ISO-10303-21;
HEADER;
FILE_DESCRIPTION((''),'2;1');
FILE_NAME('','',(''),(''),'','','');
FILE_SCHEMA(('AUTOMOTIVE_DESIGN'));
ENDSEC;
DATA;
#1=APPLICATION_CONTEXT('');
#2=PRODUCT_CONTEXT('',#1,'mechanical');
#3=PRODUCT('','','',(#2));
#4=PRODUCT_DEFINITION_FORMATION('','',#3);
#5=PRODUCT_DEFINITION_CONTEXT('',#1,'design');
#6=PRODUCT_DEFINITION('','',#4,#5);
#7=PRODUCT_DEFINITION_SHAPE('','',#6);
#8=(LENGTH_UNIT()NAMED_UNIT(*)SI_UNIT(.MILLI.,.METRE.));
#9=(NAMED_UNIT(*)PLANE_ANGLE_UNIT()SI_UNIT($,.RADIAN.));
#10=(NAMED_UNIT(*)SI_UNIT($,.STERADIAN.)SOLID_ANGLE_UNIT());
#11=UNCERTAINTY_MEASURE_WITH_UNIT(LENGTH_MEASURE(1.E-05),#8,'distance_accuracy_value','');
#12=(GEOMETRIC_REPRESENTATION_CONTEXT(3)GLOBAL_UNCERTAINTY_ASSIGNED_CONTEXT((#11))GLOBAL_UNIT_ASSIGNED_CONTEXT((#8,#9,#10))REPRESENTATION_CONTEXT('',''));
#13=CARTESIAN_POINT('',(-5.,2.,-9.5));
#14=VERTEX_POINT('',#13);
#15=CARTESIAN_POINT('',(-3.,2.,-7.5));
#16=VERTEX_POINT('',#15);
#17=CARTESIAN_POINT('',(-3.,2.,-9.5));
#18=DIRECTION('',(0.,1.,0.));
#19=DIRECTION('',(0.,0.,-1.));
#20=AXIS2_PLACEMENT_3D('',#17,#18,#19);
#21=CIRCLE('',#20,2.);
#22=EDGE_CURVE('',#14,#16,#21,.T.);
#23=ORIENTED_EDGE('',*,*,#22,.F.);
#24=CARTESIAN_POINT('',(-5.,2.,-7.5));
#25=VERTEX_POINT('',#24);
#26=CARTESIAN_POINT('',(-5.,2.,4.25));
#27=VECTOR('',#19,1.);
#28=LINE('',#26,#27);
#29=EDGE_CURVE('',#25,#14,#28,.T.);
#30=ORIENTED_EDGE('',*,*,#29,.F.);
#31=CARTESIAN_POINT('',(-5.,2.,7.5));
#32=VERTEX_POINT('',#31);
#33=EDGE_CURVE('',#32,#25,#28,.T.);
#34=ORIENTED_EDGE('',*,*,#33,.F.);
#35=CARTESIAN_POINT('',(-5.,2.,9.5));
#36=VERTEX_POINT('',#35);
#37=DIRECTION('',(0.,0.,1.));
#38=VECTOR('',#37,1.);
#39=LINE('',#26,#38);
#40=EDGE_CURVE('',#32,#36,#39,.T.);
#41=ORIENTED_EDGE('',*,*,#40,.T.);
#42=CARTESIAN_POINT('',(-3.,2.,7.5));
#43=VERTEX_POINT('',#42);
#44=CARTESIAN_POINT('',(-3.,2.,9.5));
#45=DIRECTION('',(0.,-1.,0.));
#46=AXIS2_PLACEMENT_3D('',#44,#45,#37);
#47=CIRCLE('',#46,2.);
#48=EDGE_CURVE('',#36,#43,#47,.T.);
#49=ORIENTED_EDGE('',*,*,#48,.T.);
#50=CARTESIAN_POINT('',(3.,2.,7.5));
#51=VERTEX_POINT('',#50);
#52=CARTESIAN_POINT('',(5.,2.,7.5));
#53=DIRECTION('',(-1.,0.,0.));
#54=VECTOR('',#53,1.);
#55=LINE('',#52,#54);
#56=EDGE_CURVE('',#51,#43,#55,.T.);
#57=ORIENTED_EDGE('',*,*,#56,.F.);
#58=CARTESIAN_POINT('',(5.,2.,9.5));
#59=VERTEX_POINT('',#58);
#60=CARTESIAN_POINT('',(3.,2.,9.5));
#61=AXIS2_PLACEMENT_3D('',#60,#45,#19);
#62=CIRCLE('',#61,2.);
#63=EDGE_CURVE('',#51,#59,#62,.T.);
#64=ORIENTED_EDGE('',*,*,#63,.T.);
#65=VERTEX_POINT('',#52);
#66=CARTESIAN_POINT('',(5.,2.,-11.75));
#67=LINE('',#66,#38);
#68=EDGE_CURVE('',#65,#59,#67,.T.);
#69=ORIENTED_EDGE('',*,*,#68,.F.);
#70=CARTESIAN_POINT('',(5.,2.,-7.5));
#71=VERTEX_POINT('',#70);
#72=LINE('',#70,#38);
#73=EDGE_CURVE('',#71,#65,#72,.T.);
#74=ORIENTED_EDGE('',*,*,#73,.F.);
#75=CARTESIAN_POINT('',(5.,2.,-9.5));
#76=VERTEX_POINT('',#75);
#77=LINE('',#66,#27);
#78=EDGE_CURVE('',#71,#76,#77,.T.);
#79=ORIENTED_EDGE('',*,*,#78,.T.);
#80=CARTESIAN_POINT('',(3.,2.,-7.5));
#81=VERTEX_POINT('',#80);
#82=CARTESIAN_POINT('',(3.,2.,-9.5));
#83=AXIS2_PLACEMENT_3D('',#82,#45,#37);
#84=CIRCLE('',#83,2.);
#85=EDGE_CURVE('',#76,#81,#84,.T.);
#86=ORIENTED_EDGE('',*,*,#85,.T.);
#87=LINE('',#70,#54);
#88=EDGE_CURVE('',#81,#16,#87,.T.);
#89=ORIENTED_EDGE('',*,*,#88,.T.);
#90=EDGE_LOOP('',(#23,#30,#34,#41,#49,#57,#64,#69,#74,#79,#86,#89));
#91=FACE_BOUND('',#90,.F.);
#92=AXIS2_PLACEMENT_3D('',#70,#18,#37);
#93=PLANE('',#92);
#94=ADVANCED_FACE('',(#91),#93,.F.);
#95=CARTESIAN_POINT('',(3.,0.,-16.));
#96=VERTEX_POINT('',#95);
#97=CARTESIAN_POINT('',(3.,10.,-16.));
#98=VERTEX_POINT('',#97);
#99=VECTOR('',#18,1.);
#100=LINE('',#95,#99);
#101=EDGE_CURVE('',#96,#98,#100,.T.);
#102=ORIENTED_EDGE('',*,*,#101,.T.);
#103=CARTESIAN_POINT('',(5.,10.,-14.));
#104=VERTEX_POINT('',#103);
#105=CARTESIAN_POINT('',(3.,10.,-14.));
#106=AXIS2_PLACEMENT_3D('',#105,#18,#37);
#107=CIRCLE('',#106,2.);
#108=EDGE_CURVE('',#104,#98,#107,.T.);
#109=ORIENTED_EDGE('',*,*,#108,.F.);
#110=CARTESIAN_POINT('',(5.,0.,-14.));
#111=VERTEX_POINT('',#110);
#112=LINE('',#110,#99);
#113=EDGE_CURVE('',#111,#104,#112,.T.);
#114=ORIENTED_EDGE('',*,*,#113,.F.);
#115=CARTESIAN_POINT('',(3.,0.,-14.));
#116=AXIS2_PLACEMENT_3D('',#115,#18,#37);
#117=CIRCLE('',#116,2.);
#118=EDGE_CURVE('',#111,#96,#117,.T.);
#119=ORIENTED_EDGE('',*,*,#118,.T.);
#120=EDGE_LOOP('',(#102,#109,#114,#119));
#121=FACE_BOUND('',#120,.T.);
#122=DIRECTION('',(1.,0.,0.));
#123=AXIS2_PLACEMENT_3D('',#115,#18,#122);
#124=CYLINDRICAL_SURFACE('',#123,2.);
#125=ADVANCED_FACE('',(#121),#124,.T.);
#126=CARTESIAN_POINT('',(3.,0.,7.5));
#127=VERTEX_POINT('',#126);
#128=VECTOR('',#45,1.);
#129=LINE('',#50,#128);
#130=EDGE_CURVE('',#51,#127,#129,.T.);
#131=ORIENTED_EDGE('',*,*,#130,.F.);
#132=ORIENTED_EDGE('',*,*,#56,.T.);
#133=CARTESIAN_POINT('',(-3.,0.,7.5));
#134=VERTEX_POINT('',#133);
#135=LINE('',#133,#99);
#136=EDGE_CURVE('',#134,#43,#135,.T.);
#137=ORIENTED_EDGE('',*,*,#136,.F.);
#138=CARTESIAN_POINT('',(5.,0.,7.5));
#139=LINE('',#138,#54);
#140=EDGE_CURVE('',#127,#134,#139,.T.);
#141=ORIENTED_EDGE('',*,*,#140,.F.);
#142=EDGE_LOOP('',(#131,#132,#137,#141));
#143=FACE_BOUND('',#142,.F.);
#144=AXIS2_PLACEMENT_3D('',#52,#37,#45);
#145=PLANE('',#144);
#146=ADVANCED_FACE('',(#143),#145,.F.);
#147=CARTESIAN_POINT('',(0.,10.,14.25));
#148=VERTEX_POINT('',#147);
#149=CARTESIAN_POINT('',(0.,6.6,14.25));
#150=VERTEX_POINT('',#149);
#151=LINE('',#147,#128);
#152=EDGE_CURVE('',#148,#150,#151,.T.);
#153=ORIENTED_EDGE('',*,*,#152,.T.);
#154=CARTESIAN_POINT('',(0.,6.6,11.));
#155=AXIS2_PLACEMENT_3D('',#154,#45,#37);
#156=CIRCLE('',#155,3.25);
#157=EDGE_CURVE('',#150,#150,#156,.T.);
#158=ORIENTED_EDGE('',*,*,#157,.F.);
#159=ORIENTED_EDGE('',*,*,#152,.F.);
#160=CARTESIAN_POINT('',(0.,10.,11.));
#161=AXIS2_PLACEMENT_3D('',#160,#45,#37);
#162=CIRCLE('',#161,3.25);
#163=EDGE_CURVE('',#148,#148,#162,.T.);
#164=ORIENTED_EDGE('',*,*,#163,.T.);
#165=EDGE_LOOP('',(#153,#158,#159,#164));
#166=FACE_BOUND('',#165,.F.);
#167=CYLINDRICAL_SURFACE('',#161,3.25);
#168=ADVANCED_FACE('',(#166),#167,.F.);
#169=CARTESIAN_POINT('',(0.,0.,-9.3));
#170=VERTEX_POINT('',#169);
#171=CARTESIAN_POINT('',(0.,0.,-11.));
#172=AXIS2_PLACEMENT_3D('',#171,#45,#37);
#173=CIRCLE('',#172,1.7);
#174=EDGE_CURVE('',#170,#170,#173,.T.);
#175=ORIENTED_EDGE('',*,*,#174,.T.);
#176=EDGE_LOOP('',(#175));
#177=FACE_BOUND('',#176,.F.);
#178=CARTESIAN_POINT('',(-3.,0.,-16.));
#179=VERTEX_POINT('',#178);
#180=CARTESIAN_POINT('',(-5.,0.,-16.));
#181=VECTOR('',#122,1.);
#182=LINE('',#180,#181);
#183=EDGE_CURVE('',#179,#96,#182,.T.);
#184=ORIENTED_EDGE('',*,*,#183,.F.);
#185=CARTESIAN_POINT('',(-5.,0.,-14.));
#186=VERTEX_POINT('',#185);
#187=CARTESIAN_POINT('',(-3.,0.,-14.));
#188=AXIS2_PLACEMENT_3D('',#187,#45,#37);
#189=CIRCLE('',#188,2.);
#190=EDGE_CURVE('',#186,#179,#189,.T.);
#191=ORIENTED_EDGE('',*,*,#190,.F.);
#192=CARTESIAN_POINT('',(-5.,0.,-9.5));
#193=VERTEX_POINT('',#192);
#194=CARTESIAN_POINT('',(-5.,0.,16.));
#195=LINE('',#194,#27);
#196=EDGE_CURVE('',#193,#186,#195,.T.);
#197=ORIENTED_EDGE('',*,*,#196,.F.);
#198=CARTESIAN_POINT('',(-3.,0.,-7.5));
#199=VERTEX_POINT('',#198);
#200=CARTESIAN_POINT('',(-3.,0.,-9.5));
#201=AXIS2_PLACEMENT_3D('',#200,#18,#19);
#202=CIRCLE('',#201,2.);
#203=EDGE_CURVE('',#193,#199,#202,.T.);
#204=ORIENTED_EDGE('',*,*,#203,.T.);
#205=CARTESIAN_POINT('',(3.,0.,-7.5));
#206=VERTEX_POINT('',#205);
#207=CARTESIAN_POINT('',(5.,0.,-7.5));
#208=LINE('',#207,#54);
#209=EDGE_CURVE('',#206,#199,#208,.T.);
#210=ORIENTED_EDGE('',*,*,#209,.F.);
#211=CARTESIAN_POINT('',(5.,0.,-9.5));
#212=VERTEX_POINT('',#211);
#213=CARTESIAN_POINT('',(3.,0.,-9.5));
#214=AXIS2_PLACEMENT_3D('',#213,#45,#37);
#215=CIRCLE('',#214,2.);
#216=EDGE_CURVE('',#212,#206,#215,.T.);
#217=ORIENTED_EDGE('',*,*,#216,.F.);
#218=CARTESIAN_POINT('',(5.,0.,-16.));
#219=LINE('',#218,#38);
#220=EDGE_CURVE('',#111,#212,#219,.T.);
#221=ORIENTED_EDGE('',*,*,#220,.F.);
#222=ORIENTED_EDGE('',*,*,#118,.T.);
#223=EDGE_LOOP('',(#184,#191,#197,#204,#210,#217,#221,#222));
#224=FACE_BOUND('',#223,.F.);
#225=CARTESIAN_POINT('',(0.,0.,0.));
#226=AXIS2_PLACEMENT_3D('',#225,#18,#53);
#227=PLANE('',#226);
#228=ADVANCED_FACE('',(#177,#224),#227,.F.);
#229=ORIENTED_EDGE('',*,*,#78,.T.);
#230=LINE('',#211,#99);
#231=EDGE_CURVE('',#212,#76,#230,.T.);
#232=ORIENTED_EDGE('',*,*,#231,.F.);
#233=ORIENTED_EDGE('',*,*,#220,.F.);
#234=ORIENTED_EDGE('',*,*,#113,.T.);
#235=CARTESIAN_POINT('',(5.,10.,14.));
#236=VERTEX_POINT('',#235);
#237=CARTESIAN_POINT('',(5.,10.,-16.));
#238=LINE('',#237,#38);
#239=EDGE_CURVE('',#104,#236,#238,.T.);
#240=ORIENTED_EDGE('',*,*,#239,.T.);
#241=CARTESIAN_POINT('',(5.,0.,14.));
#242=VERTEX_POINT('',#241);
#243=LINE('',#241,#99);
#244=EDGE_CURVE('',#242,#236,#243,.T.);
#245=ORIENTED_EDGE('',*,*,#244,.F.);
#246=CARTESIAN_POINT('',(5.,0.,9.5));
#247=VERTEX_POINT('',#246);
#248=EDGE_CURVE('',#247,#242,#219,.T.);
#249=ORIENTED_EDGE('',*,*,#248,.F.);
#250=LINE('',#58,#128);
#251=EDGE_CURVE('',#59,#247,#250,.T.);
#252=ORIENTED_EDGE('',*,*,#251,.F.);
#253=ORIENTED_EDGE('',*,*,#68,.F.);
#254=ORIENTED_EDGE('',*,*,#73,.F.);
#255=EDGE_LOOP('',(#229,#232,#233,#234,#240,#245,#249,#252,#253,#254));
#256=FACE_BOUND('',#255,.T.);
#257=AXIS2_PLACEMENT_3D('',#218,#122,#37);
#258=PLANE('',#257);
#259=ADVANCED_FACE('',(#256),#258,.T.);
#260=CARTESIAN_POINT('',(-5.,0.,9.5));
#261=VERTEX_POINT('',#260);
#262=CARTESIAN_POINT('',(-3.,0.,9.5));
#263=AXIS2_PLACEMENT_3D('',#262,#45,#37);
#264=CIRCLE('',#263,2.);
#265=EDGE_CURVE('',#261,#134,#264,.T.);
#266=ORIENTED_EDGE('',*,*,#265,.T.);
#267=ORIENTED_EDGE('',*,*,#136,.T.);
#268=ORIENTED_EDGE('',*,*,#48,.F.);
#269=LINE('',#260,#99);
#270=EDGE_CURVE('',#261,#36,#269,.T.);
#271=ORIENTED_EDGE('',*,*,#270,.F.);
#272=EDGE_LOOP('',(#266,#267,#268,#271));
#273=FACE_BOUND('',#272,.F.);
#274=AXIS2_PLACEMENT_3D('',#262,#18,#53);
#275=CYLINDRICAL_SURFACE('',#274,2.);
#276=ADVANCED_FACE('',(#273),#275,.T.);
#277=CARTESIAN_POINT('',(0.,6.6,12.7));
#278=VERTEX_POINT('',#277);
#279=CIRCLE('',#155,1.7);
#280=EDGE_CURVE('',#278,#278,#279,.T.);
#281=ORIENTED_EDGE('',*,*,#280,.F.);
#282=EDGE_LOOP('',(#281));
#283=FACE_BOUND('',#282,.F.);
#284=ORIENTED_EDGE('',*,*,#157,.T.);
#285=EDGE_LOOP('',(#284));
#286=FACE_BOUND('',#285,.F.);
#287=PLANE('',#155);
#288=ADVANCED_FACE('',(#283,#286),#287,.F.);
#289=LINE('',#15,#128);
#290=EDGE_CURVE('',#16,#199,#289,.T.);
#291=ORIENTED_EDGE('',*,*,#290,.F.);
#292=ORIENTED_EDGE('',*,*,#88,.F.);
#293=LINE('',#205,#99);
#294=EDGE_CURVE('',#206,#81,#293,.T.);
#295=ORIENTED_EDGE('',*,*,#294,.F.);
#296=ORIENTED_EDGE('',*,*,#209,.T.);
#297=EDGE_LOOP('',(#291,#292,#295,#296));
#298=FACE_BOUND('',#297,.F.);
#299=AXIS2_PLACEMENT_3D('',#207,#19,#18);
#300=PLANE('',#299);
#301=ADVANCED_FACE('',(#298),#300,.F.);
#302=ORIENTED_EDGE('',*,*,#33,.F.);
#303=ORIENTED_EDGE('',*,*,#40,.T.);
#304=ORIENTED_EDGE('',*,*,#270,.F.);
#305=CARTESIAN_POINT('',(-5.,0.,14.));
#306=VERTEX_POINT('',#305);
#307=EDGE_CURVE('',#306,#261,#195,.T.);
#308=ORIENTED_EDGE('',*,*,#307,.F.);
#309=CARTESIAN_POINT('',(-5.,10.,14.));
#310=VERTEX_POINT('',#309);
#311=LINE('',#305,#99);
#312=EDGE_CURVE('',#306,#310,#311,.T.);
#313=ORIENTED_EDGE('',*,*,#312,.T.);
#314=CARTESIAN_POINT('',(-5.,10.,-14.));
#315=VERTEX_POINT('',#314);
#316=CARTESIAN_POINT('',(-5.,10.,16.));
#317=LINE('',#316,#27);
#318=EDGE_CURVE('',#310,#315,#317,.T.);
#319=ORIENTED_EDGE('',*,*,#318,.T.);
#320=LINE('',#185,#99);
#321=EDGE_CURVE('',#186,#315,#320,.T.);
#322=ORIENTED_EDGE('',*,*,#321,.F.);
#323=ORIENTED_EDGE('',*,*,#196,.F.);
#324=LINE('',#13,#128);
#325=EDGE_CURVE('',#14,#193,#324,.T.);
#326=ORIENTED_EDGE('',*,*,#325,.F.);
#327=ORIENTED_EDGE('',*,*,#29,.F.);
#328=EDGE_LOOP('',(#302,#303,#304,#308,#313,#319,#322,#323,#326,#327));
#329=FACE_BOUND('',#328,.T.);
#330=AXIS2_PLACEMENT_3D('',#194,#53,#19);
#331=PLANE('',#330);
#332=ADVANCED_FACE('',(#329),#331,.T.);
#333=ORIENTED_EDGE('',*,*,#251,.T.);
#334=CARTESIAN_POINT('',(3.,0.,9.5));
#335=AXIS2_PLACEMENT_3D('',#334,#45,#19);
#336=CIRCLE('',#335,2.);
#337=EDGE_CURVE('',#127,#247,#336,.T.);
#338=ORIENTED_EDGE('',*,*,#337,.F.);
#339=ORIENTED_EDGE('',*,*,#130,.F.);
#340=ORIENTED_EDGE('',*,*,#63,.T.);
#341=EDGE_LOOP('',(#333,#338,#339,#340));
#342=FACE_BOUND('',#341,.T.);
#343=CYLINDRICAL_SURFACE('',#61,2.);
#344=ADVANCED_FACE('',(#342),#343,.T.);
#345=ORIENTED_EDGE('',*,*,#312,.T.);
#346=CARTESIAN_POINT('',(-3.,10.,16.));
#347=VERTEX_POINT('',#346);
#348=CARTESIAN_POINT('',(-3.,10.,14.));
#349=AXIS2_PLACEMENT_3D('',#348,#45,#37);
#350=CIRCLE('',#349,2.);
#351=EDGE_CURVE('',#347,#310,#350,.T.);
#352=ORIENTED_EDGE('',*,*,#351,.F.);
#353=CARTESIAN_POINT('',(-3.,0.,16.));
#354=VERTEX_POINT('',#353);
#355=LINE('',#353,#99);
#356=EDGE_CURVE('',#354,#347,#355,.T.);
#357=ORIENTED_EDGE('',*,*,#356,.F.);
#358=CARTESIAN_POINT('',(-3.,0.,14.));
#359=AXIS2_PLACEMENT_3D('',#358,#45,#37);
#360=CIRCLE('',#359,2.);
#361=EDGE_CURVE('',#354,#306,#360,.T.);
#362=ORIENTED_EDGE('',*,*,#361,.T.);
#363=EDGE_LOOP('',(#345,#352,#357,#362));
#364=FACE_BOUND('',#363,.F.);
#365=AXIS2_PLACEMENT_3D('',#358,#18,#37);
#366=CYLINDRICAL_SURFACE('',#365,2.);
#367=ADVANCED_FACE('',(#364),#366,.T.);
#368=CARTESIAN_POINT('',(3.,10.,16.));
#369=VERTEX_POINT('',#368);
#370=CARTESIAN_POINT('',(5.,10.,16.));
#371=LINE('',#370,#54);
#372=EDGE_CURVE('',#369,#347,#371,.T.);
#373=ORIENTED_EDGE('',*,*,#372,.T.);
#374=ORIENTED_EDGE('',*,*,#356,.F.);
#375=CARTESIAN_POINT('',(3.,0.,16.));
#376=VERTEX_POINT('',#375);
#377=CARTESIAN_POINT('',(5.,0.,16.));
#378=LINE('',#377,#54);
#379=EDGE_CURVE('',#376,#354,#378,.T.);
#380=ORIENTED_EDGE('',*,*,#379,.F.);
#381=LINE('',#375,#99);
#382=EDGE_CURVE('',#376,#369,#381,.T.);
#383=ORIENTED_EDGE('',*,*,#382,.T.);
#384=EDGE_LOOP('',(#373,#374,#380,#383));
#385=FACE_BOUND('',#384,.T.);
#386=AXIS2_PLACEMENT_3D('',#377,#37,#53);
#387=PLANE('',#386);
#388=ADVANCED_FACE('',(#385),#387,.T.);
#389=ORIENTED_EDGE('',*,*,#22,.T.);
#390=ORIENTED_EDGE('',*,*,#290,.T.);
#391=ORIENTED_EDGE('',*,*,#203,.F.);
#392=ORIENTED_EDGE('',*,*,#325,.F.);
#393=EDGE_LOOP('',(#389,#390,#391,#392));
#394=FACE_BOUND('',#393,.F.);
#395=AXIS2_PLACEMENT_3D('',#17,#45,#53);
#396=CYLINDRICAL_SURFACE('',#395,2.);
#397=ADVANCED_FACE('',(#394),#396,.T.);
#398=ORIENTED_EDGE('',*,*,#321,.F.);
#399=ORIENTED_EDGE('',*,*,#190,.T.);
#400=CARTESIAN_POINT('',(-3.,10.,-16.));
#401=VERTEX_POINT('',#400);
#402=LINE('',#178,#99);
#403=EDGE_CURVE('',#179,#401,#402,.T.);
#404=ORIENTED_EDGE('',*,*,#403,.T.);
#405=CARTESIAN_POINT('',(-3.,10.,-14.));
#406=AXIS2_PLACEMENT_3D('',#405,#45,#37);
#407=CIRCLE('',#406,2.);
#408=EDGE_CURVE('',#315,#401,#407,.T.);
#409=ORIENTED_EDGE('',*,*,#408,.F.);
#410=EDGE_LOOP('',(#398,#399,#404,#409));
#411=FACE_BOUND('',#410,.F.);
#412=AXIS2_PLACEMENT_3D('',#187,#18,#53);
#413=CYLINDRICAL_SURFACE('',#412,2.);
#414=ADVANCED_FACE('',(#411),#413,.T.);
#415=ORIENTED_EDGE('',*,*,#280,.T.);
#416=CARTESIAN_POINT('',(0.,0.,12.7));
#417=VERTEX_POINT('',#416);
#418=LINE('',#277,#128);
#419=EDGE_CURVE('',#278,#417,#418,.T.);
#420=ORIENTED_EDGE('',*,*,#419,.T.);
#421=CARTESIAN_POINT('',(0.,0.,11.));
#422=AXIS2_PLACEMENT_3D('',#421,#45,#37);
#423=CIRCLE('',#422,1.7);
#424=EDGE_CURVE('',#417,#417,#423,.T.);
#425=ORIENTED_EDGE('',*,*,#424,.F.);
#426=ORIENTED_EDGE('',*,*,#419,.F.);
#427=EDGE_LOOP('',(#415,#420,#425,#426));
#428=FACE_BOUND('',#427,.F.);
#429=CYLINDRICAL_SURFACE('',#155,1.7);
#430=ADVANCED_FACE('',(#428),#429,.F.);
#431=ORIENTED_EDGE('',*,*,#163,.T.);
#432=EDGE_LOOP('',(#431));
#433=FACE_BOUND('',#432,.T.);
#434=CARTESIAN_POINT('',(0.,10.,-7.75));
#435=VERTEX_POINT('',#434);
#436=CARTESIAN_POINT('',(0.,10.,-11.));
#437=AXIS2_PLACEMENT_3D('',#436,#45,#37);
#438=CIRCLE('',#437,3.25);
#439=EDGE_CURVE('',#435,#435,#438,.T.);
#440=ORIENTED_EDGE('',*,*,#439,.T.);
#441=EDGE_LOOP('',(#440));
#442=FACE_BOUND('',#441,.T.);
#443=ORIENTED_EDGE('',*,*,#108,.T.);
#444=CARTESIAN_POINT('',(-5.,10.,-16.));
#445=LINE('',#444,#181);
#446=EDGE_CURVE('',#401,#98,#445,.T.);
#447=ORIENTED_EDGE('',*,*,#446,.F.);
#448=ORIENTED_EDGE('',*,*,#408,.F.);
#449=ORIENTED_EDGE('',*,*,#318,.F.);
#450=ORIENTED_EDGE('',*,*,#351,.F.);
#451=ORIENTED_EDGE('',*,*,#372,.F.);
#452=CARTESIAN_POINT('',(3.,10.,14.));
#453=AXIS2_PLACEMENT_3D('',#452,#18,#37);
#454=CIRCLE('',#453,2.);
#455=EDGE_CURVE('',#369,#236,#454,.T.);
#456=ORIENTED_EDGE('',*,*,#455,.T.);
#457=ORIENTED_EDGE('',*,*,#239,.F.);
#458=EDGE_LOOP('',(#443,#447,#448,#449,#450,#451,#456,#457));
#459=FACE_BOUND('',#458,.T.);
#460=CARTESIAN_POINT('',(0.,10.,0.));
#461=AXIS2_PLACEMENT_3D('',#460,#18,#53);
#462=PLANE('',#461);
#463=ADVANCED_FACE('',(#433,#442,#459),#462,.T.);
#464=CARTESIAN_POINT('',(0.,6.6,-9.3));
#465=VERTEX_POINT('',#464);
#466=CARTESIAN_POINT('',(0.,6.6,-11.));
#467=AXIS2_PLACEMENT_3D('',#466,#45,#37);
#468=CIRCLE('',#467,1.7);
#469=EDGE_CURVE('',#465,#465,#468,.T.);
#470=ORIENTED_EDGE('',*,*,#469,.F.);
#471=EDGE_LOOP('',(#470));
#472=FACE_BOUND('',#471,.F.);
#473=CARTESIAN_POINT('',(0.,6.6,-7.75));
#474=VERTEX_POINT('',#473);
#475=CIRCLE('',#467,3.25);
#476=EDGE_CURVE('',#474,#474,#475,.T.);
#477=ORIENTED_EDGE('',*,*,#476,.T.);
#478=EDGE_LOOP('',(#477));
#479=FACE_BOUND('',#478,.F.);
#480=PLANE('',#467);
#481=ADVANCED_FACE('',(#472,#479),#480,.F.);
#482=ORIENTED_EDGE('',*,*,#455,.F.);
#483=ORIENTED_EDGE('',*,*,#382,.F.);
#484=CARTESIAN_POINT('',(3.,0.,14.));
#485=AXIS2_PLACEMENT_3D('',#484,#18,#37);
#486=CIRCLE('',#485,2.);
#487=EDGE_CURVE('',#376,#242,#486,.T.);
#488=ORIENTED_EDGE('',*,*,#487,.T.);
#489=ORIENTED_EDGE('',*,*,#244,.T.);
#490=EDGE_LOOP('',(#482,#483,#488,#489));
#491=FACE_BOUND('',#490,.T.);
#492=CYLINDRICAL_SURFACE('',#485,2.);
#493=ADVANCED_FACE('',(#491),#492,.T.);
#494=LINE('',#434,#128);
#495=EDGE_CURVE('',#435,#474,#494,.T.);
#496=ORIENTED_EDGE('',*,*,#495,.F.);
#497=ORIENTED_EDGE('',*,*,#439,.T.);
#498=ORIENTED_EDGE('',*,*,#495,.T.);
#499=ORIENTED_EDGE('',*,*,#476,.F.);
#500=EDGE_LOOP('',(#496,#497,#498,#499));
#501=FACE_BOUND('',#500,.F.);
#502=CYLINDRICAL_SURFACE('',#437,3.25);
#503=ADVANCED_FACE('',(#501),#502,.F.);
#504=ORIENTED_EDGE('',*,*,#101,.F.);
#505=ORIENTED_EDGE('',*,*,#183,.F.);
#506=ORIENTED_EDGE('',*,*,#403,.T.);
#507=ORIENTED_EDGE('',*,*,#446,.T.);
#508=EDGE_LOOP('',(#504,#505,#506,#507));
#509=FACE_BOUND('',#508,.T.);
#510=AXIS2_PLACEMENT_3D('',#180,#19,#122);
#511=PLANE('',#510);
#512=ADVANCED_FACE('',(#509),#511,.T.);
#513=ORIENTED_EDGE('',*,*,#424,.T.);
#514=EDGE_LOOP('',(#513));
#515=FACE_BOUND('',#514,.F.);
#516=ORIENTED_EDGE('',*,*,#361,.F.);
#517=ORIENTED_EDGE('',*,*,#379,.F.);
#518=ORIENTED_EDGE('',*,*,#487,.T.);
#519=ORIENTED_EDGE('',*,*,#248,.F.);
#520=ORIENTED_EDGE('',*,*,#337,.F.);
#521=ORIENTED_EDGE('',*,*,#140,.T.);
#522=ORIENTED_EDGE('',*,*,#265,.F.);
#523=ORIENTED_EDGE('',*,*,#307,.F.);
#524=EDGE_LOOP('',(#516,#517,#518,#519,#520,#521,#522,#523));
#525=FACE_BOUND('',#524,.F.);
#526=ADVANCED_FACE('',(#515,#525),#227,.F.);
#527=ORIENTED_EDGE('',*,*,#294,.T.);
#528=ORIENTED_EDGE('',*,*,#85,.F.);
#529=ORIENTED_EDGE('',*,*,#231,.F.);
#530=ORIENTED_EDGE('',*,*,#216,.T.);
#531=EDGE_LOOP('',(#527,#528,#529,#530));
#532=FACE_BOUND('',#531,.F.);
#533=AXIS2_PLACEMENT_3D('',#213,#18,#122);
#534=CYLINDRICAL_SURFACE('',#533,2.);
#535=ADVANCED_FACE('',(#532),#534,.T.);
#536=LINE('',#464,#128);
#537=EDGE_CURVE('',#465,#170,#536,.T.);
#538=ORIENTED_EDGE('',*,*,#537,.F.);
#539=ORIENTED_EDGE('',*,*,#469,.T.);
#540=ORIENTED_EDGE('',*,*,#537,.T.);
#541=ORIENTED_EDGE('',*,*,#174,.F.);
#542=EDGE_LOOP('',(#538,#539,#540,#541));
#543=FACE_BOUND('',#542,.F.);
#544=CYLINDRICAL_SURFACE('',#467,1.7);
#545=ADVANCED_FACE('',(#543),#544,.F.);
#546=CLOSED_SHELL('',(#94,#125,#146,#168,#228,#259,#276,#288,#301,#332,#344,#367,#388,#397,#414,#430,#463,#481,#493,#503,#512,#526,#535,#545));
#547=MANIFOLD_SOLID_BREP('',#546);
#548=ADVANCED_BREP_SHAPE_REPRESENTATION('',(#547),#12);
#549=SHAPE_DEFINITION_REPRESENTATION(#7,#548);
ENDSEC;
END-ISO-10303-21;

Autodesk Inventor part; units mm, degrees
ref_plane "YZ Plane" through (0, 0, 0) normal (1, 0, 0) x (0, 1, 0)
ref_plane "XZ Plane" through (0, 0, 0) normal (0, 1, 0) x (-1, 0, 0)
ref_plane "XY Plane" through (0, 0, 0) normal (0, 0, 1) x (1, 0, 0)
sketch "Sketch1" plane through (0, 0, 0) normal (0, 1, 0) x (-1, 0, 0)
  line L0 (-5, 16) -> (5, 16)
  line L1 (5, 16) -> (5, -16)
  line L2 (5, -16) -> (-5, -16)
  line L3 (-5, -16) -> (-5, 16)
  line L4 (-5, 16) -> (5, -16) construction
  line L5 (5, 16) -> (-5, -16) construction
  point P0 (0, 0)
  dimension "d0" = 32
  dimension "d1" = 10
extrude "Extrusion1" add sketch "Sketch1" along normal blind 10
sketch "Sketch2" plane through (0, 10, 0) normal (0, 1, 0) x (1, 0, 0)
  line L0 (0, 22.4) -> (0, -22.4) projected
  line L1 (7, 0) -> (-7, 0) projected
  point P0 (0, 0)
  point P1 (0, -11)
  point P2 (0, 11)
  dimension "d4" = 22
hole "Hole1" at (0, 10, 11) at (0, 10, -11) direction (0, -1, 0) diameter 3.4 depth 10 counterbore diameter 6.5 counterbore depth 3.4 clearance for "Socket Head Cap Screw ISO 4762" size "M3" standard "ISO"
fillet "Fillet1" radius 2 4 edges at (5, 5, 16) (-5, 5, 16) (5, 5, -16) (-5, 5, -16)
sketch "Sketch3" plane through (5, 0, 14) normal (1, 0, 0) x (0, 0, -1)
  line L0 (28, 0) -> (0, 0) projected
  line L1 (6.5, 0) -> (21.5, 0)
  line L2 (21.5, 0) -> (21.5, 2)
  line L3 (21.5, 2) -> (6.5, 2)
  line L4 (6.5, 2) -> (6.5, 0)
  line L5 (14, -2) -> (14, 12) projected
  point P0 (14, 0)
  dimension "d13" = 15
  dimension "d14" = 2
extrude "Extrusion2" cut sketch "Sketch3" against normal through all
fillet "Fillet2" radius 2 4 edges at (5, 1, 7.5) (-5, 1, 7.5) (5, 1, -7.5) (-5, 1, -7.5)
properties part number "32_Y-Motor_cable_holder_B"
